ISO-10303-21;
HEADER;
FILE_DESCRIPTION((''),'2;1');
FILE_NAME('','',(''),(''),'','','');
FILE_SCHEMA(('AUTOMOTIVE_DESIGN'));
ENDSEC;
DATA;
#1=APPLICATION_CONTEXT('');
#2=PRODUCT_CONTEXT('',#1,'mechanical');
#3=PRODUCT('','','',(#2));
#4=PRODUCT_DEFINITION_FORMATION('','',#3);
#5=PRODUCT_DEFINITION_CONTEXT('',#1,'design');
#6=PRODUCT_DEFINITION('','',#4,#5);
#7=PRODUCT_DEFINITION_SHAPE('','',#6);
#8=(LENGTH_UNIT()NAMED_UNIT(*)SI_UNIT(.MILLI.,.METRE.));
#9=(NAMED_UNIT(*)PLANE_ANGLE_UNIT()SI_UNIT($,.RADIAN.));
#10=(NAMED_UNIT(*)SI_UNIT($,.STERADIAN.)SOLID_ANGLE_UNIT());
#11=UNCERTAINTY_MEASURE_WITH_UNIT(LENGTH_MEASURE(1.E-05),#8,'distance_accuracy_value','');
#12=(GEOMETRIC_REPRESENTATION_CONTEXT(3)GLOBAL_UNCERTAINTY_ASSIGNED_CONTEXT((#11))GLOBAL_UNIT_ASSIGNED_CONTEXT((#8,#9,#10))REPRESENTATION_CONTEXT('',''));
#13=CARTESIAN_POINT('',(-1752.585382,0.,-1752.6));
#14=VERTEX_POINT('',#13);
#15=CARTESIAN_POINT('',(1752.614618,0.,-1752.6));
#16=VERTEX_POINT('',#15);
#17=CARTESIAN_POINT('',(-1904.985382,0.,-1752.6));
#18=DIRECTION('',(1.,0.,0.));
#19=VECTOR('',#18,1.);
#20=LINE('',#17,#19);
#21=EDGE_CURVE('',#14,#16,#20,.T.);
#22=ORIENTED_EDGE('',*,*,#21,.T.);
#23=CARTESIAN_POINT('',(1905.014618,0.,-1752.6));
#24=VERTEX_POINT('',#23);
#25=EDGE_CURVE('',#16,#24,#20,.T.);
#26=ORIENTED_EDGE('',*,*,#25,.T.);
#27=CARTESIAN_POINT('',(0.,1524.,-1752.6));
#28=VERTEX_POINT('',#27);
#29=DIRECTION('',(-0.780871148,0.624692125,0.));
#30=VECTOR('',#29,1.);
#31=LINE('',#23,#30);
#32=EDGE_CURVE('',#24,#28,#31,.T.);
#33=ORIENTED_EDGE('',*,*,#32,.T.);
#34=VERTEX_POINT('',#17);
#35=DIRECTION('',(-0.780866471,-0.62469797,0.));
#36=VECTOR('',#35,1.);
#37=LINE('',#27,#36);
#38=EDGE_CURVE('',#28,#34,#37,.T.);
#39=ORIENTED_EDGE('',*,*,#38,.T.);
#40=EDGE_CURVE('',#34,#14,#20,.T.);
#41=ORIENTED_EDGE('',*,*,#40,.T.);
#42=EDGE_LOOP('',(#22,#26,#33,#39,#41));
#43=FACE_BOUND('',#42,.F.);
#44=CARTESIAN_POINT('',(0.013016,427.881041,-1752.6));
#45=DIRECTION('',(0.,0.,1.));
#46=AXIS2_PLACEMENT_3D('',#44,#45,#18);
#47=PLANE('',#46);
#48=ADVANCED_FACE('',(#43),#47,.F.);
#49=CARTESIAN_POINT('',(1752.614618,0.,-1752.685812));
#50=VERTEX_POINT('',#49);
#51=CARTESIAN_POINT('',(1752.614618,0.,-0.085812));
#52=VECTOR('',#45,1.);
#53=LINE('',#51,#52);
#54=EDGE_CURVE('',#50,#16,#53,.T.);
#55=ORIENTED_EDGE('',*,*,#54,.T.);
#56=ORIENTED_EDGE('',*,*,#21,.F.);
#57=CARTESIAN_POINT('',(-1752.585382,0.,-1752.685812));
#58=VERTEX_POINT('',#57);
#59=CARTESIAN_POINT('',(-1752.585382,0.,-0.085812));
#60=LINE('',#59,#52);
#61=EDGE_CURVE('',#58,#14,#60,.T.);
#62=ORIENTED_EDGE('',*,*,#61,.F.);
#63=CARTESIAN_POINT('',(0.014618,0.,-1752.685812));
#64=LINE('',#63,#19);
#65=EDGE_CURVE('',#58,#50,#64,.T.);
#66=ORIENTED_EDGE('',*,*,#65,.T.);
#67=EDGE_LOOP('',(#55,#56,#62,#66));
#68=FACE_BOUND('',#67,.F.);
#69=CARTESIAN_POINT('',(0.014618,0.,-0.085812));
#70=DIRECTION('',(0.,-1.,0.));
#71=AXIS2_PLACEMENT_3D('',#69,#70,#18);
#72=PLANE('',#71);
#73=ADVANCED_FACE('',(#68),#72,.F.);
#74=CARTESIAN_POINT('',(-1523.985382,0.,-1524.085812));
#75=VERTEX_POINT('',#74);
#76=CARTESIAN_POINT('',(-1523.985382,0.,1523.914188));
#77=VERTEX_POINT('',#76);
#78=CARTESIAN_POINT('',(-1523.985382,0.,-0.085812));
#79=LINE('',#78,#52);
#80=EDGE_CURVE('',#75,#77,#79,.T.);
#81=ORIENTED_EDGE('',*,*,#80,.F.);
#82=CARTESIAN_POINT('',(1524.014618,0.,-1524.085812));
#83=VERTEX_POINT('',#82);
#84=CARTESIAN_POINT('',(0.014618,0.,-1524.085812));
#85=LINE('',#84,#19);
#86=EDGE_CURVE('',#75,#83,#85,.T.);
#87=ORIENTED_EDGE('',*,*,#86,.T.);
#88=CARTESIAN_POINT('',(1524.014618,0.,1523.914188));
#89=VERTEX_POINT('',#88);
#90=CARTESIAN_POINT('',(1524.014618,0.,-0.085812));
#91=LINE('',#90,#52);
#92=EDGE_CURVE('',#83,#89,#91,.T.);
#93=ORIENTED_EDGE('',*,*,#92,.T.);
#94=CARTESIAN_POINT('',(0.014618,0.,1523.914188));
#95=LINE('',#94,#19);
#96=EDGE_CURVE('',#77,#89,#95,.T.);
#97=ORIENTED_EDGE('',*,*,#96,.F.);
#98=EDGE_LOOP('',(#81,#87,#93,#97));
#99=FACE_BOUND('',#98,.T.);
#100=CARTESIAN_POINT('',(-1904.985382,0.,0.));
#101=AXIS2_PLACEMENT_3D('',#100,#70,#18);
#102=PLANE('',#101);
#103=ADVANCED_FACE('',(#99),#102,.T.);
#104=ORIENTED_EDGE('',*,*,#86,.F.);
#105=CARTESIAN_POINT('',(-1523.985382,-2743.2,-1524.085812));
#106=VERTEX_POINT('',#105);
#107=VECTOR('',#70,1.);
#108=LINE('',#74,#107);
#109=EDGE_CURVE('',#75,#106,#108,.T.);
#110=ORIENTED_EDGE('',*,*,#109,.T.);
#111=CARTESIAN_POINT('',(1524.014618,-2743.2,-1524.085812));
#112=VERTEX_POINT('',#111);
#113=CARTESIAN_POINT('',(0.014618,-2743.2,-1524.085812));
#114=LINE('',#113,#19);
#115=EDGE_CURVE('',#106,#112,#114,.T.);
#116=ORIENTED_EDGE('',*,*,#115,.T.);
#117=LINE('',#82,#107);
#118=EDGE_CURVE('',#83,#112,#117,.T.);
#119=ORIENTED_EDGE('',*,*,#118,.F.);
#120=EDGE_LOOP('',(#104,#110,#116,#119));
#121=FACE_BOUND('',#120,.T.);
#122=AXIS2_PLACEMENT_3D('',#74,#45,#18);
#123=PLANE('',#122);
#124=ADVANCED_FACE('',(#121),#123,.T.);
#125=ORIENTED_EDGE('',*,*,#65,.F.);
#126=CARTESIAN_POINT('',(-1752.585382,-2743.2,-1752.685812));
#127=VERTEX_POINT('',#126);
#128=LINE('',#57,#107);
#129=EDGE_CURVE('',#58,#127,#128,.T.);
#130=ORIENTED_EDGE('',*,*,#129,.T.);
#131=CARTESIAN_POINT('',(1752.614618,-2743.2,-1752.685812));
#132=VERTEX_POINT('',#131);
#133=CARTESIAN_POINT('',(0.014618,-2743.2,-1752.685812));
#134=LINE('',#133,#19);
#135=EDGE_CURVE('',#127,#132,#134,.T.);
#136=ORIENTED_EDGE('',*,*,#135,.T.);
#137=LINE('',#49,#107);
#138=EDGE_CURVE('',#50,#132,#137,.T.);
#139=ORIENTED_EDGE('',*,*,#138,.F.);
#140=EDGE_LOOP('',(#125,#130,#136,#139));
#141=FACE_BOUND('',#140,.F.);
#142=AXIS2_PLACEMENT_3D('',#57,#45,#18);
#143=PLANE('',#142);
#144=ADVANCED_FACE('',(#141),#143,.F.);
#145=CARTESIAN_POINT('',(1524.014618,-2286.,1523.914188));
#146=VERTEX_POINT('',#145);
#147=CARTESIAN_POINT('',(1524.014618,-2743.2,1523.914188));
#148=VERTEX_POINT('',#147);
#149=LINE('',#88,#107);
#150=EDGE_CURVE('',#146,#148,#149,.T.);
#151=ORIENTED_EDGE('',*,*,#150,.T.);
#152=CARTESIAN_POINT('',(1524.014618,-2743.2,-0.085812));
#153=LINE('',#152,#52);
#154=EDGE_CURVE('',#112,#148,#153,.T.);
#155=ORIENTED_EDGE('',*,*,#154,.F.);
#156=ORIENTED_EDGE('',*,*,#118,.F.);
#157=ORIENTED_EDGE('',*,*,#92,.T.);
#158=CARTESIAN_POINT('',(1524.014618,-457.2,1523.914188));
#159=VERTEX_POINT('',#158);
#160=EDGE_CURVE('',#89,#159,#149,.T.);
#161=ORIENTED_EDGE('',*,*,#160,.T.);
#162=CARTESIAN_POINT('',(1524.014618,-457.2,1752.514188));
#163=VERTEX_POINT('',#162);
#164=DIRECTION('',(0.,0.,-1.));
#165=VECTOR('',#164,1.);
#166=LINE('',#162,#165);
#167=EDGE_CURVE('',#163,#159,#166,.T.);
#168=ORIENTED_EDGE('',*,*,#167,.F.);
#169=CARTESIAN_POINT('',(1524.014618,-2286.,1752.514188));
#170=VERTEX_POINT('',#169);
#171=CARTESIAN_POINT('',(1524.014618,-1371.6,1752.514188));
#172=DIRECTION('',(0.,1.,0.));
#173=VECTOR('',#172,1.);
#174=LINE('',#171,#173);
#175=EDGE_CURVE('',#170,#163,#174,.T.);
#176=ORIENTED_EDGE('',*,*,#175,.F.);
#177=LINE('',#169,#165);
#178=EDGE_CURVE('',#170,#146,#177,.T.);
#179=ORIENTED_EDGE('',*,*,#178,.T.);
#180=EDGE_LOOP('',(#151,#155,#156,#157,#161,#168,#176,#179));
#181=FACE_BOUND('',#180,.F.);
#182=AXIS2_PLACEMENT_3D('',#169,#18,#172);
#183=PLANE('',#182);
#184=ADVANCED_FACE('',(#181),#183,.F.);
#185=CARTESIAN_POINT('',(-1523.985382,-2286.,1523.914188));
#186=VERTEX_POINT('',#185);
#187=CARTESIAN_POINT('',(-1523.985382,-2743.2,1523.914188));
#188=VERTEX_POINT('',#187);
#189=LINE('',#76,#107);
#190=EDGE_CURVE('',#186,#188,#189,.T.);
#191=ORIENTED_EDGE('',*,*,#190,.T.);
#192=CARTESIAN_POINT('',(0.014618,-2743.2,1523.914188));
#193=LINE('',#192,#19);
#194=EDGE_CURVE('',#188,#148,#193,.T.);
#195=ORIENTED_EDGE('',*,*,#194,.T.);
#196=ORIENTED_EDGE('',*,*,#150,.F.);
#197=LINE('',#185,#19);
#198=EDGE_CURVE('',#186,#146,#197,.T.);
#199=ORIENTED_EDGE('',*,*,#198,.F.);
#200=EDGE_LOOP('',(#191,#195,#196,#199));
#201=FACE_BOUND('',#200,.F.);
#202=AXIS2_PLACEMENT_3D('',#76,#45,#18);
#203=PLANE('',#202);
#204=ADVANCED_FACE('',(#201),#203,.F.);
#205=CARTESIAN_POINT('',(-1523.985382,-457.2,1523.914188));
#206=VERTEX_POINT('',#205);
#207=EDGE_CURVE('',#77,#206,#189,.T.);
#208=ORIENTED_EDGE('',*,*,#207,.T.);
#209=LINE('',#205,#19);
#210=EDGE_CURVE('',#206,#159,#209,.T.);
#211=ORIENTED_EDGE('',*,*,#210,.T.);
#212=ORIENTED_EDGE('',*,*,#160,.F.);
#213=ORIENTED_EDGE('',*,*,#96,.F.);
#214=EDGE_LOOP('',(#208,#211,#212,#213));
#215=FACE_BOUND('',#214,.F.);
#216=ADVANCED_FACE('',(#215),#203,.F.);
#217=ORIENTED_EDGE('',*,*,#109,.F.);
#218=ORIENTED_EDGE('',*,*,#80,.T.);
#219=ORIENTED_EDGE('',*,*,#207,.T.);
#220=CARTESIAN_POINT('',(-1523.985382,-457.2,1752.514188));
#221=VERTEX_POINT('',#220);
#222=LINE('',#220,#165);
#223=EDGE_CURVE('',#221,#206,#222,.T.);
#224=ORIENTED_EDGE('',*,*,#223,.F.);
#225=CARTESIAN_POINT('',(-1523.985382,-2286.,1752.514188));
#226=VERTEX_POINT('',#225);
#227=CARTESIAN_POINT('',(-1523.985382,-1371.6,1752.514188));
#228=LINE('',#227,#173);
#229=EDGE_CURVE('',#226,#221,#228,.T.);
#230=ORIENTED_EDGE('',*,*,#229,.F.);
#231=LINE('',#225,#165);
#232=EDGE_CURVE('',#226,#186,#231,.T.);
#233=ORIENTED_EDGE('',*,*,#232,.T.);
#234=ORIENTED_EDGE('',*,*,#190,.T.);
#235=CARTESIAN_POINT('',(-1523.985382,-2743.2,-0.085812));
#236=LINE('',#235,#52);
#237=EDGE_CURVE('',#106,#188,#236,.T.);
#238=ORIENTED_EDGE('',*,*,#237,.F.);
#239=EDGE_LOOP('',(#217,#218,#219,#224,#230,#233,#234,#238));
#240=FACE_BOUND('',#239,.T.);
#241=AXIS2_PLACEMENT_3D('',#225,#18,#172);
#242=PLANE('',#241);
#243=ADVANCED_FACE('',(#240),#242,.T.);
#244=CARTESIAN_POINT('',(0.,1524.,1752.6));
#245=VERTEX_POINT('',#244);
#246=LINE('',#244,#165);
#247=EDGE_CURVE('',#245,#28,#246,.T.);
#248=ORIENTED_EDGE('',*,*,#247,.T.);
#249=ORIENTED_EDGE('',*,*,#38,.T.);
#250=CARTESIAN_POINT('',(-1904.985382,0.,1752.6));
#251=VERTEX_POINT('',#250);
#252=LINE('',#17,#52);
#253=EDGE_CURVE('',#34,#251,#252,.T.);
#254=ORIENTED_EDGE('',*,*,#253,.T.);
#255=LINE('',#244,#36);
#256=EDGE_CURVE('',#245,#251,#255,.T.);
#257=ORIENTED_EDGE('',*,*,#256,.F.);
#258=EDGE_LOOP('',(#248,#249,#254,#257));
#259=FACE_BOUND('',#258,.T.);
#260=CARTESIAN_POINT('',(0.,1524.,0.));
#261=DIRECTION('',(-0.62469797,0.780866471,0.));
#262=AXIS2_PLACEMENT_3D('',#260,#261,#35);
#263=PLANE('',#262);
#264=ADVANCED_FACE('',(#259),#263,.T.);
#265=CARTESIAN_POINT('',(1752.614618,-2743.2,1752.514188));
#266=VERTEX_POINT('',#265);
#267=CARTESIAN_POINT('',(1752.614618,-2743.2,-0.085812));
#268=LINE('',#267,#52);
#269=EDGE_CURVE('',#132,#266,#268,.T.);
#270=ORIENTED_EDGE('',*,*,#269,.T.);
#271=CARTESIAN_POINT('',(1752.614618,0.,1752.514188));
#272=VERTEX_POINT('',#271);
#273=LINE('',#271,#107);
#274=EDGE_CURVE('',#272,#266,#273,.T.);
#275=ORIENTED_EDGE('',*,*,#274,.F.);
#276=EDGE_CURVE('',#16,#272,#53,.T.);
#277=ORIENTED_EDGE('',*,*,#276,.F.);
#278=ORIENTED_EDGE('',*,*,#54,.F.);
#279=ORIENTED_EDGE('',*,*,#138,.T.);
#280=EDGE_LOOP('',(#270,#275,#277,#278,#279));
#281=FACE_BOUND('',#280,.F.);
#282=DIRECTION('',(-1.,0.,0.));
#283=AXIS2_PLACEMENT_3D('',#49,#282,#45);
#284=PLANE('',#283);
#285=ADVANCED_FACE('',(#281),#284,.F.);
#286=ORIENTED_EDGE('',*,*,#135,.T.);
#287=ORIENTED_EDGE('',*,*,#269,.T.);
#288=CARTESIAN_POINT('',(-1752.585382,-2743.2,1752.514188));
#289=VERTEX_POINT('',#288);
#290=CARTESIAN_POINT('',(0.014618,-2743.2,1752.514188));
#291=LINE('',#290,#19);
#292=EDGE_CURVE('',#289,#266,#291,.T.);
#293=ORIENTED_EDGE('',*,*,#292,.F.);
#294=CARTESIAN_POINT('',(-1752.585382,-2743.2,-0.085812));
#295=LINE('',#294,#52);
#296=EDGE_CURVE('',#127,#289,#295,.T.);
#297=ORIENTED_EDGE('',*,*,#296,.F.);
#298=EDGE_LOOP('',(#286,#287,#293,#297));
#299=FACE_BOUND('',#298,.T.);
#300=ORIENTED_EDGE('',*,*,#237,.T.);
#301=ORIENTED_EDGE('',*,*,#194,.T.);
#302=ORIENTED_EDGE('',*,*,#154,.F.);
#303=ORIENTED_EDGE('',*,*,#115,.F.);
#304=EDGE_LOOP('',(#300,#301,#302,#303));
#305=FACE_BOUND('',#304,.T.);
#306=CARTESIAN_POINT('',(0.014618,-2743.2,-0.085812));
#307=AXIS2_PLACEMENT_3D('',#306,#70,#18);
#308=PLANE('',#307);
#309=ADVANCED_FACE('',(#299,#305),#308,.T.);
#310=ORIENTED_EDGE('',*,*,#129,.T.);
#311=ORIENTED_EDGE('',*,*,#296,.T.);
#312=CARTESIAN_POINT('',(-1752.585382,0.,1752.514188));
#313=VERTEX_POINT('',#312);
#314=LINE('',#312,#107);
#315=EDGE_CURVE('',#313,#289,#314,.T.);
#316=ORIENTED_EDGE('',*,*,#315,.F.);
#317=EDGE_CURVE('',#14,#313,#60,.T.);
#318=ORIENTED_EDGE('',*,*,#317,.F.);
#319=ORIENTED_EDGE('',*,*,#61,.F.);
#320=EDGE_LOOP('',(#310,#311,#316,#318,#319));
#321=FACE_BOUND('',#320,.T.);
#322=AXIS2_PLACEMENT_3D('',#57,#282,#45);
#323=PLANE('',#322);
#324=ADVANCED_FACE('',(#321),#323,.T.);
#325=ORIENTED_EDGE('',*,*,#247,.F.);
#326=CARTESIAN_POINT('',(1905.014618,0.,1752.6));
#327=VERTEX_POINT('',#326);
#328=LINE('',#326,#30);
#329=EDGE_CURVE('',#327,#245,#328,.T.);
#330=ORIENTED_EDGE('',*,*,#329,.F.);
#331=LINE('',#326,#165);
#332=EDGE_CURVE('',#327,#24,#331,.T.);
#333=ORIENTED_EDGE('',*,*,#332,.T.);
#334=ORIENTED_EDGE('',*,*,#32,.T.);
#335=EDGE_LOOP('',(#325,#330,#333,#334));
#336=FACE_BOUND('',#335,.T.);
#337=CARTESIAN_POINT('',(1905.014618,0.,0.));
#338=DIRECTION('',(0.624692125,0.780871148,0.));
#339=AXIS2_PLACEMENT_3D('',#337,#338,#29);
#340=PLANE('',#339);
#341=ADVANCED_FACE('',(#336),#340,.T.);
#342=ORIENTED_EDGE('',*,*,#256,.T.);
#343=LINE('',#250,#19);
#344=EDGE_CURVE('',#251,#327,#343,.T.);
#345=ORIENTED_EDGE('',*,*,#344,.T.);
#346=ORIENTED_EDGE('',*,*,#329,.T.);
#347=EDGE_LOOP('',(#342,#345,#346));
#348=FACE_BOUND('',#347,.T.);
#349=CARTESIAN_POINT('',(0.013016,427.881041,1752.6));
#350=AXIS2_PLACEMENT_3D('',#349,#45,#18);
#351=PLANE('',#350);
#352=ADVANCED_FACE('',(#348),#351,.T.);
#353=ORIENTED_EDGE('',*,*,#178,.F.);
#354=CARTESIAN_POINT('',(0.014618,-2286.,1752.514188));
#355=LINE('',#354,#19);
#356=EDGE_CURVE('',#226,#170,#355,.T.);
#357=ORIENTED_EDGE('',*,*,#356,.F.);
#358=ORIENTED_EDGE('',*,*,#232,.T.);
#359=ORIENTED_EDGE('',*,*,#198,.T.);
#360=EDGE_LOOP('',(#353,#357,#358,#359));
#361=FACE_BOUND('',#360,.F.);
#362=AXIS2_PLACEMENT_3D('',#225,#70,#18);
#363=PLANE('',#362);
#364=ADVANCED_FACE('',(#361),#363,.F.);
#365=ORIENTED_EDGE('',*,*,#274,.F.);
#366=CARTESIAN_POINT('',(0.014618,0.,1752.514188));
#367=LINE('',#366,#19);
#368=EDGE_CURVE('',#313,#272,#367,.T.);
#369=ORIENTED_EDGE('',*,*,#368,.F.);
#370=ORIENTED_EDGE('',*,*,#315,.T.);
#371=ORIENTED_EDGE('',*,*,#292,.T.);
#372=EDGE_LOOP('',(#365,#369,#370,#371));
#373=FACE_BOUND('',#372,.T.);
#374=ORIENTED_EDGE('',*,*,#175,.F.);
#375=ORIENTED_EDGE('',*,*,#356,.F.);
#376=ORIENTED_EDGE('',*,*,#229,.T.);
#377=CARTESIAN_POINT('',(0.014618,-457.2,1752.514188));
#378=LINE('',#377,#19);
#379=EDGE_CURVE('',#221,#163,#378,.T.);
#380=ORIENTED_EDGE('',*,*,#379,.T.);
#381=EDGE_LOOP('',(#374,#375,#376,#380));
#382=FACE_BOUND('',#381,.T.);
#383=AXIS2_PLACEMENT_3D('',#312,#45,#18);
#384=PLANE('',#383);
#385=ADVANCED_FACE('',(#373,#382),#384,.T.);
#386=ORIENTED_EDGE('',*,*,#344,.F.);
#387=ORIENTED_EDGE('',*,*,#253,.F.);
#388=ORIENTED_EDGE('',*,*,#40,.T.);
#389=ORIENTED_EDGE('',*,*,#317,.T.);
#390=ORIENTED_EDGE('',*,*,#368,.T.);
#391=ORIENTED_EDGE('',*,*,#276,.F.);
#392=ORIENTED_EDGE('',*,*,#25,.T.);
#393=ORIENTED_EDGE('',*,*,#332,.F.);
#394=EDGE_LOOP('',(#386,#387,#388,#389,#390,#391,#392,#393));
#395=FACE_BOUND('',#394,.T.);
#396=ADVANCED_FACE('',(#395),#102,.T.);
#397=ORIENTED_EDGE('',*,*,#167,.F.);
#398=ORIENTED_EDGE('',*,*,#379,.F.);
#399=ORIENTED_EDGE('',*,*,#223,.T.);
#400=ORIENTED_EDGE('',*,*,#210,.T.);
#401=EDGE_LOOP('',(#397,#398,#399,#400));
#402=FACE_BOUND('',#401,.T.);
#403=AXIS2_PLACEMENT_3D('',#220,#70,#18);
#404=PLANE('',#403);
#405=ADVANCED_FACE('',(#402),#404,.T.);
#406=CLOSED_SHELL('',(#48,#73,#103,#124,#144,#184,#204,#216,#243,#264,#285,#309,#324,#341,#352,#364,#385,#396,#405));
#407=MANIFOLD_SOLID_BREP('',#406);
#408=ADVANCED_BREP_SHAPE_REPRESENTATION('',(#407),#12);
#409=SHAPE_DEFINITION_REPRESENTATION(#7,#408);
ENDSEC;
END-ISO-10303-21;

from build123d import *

# Parameters (mm, degrees)
F0_W     = 3505.2
F0_H     = 3505.2
F0_W_2   = 3048
F0_H_2   = 3048
F1_DEPTH = 2743.2
F3_DEPTH = 1752.6
F4_W     = 3048
F4_H     = 1828.8
F5_DEPTH = 304.8


with BuildPart() as f1:
    # F0 (on Front) → F1 (new body)
    with BuildSketch(Plane.XZ):
        with Locations((0.014618, -0.085812)):
            Rectangle(F0_W, F0_H)
        with Locations((0.014618, -0.085812)):
            Rectangle(F0_W_2, F0_H_2, mode=Mode.SUBTRACT)
    extrude(amount=F1_DEPTH)

    # F2 (on Top) → F3 (join, symmetric)
    with BuildSketch(Plane.XY):
        Polygon((0, 1524), (-1904.985382, 0), (1905.014618, 0), align=None)
    extrude(amount=F3_DEPTH, both=True)

    # F4 (on face) → F5 (cut)
    with BuildSketch(Plane.XY.offset(1752.514188)):
        with Locations((0.014618, -1371.6)):
            Rectangle(F4_W, F4_H)
    extrude(amount=-F5_DEPTH, mode=Mode.SUBTRACT)


solid = f1.part
